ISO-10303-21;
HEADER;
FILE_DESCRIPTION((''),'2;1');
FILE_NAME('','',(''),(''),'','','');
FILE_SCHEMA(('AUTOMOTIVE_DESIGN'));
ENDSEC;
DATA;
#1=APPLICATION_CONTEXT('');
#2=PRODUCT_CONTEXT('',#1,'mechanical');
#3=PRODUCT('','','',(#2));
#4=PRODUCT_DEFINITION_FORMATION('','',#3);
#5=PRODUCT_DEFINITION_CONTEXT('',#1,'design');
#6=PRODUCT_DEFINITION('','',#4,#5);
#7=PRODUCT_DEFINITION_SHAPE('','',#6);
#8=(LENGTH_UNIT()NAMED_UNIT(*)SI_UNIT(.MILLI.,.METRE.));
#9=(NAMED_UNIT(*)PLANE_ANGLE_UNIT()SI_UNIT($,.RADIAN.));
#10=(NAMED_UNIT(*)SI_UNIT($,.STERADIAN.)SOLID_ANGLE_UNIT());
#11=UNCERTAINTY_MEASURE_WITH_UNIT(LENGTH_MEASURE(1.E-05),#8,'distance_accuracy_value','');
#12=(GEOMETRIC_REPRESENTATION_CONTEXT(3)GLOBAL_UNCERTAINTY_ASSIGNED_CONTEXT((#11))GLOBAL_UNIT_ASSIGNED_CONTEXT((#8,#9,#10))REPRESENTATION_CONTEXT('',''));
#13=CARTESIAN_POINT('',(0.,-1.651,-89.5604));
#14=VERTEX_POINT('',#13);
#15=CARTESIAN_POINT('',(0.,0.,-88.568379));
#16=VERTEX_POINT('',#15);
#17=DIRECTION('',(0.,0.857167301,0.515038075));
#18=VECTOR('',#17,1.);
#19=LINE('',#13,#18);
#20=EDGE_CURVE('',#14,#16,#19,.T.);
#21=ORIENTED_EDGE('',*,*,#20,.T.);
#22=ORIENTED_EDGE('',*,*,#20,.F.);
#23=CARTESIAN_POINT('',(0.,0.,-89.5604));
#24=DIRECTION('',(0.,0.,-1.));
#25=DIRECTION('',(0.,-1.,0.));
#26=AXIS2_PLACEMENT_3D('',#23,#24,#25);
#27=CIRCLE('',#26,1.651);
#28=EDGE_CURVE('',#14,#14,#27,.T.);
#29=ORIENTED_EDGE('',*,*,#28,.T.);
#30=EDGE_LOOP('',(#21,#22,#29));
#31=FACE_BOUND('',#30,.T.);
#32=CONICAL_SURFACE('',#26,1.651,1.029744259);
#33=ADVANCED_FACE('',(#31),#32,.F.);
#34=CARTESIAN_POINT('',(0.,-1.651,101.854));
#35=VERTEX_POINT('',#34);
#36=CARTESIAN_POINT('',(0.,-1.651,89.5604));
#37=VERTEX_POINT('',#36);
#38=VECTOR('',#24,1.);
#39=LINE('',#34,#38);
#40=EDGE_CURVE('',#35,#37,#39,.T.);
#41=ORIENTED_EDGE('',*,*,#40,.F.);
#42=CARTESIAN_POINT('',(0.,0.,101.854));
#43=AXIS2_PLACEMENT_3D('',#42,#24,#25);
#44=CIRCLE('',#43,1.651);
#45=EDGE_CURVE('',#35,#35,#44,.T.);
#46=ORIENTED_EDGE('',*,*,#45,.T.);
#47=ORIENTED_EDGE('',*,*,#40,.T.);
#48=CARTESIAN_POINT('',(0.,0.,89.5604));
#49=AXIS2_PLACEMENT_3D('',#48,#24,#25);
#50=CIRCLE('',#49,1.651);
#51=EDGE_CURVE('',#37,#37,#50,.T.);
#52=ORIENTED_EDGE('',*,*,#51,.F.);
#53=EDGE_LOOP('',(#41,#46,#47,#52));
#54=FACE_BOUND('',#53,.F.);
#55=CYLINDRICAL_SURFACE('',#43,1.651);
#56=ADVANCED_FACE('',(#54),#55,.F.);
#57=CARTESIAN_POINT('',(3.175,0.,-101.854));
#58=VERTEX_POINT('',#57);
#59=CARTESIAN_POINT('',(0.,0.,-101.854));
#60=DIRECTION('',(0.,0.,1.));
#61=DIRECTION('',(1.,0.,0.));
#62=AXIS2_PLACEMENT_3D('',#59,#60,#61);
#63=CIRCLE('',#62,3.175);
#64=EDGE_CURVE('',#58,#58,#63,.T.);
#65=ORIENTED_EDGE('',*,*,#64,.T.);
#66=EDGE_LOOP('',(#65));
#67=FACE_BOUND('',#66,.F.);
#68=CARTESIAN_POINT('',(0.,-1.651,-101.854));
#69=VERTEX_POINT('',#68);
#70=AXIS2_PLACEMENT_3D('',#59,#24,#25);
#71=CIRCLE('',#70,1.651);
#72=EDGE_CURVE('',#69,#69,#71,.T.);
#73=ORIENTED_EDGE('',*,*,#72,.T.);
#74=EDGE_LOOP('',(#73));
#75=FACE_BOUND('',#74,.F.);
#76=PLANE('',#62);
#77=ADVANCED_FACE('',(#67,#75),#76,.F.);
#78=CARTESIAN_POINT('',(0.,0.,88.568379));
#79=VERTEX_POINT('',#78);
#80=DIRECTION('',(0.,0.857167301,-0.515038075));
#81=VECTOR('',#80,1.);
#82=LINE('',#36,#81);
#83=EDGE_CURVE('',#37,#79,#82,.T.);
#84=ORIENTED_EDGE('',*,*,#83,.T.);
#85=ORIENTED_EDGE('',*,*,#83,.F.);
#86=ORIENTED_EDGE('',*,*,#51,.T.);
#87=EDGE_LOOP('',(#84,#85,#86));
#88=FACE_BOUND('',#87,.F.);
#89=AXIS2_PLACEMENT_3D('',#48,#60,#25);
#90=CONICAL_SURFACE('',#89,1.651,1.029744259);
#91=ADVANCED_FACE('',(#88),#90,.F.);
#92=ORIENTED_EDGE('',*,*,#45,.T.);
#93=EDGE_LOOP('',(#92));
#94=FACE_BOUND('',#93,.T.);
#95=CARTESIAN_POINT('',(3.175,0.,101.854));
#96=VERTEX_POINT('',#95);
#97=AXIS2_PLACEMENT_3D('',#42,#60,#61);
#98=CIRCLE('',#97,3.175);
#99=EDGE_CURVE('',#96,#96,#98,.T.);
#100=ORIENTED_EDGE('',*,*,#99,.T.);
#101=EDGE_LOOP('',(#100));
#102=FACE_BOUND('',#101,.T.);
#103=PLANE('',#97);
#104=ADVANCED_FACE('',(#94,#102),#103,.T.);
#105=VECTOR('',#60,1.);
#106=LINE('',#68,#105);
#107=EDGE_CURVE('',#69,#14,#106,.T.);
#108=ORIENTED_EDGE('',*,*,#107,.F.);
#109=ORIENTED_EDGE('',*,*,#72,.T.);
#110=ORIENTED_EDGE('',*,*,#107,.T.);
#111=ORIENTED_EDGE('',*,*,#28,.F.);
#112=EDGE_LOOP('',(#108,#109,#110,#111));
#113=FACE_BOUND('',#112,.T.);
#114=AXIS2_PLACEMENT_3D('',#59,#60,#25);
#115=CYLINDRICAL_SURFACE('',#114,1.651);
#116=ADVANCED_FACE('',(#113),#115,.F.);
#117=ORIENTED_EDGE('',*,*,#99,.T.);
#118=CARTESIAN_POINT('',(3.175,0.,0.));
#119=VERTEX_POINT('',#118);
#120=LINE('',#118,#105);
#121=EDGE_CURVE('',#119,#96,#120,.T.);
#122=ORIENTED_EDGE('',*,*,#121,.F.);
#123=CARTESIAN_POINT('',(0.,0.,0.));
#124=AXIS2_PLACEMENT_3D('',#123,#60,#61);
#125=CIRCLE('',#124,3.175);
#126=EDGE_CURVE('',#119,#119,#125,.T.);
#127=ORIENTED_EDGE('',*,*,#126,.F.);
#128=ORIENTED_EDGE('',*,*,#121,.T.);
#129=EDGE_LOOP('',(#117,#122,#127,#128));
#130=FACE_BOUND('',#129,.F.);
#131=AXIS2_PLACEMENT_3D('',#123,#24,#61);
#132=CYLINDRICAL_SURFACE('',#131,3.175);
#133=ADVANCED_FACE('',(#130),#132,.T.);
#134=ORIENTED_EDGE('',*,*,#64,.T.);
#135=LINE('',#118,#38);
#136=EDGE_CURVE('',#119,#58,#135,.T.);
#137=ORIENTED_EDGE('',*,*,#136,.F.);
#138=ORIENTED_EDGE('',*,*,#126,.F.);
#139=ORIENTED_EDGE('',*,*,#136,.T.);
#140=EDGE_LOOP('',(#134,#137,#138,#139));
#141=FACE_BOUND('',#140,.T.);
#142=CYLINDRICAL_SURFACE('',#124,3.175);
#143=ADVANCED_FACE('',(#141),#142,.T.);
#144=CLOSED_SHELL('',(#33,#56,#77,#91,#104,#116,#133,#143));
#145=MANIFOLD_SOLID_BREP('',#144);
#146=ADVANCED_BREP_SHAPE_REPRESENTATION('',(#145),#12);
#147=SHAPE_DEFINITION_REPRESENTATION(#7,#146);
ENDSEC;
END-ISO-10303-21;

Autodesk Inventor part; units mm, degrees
ref_plane "YZ Plane" through (0, 0, 0) normal (1, 0, 0) x (0, 1, 0)
ref_plane "XZ Plane" through (0, 0, 0) normal (0, 1, 0) x (-1, 0, 0)
ref_plane "XY Plane" through (0, 0, 0) normal (0, 0, 1) x (1, 0, 0)
sketch "Sketch1" plane through (0, 0, 0) normal (0, 0, 1) x (1, 0, 0)
  circle A0 centre (0, 0) radius 3.175
  dimension "d0" = 6.35
extrude "Extrusion1" add sketch "Sketch1" along normal mid plane 203.708
sketch "Sketch2" plane through (0, 0, 101.854) normal (0, 0, 1) x (1, 0, 0)
  point P0 (0, 0)
  point P1 (0, 0)
hole "Hole1" at (0, 0, 101.854) direction (0, 0, -1) diameter 3.302 depth 12.2936 tip angle 118 thread size "8-32 UNC" class "2B" standard "ANSI Unified Screw Threads"
mirror "Mirror1" about plane through (0, 0, 0) normal (0, 0, 1) of "Hole1"
